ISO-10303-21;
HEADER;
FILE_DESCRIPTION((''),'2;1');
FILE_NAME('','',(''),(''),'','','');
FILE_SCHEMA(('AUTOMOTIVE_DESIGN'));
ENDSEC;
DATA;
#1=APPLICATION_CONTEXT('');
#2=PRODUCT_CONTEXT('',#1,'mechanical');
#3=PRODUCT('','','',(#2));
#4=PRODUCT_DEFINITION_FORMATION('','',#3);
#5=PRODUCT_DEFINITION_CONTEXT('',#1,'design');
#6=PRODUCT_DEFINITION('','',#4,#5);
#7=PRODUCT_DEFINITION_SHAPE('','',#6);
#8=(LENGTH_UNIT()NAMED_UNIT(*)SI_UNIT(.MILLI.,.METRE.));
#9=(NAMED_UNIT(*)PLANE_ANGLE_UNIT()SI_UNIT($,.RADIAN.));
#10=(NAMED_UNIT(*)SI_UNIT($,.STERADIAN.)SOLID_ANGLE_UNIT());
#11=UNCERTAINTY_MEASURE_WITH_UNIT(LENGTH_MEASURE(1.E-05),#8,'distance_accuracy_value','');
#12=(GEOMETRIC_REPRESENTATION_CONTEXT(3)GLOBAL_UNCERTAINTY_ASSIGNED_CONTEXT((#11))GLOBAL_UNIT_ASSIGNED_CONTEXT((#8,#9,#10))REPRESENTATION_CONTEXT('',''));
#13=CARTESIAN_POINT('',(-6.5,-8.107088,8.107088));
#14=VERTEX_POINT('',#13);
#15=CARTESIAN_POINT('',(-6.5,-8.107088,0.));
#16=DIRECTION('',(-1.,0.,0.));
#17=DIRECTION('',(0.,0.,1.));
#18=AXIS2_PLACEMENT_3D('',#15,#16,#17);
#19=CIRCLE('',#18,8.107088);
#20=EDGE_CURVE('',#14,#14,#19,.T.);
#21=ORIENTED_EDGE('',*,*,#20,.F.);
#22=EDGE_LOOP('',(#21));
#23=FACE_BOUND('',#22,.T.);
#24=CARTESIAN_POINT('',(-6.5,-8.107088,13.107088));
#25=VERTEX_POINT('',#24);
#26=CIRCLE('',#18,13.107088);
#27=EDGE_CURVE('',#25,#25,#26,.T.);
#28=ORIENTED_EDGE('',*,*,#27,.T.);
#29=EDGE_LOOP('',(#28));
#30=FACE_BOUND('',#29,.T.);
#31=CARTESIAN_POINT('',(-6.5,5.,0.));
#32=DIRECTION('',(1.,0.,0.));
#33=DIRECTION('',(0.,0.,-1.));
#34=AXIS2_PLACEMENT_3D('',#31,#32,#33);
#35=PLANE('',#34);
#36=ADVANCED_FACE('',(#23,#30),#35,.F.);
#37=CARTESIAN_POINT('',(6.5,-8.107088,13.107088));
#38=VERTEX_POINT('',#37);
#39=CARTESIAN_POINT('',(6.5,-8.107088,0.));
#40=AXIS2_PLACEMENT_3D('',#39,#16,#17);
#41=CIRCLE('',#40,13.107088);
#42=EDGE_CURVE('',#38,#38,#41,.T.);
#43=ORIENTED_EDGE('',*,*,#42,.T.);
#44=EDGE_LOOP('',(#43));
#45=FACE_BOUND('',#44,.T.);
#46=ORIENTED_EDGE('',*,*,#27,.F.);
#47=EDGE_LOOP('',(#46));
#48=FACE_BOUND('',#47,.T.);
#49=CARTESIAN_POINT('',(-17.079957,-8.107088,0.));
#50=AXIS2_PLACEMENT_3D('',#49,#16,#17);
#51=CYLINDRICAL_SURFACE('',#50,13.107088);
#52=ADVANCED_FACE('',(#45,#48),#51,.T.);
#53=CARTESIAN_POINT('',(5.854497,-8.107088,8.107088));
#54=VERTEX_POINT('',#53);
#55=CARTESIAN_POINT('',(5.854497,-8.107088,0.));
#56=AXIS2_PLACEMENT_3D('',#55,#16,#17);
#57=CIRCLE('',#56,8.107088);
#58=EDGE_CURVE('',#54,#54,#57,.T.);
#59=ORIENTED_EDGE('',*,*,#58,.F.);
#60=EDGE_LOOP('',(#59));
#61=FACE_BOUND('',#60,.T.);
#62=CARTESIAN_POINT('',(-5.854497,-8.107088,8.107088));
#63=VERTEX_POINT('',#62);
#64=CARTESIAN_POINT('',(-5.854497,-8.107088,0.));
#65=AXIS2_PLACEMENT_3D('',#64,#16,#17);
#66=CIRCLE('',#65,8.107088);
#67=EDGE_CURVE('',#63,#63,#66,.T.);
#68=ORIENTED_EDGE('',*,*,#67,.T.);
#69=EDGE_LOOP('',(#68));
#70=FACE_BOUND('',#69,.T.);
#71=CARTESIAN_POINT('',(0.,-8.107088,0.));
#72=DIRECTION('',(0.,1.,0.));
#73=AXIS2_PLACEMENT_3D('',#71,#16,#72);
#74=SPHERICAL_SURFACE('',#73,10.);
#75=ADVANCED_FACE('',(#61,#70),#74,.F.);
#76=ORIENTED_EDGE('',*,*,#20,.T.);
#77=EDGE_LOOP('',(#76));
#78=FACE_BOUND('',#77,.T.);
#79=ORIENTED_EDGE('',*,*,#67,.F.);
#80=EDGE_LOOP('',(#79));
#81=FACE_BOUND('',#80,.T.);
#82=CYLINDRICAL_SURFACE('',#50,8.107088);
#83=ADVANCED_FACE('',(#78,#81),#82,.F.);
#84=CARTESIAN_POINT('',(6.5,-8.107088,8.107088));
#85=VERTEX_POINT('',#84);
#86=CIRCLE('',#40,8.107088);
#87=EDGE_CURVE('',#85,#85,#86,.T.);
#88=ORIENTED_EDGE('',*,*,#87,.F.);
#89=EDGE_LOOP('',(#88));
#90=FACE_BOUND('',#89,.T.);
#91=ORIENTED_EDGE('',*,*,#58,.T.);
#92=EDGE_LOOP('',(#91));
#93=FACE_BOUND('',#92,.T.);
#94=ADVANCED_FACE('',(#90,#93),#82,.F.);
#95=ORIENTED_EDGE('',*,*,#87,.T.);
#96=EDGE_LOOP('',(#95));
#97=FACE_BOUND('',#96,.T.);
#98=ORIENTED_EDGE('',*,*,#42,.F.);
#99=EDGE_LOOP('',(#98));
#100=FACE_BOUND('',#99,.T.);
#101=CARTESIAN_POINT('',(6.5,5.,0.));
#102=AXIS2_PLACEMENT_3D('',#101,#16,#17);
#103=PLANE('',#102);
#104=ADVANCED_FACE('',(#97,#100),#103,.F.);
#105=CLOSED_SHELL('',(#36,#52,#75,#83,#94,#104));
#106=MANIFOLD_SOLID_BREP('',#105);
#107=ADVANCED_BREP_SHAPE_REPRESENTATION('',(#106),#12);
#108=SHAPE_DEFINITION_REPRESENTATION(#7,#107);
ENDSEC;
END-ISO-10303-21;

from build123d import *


with BuildPart() as part:
    # Sketch1 → Revolve1 (revolve)
    with BuildSketch(Plane.XY):
        with BuildLine():
            Line((6.5, 5), (-6.5, 5))
            Line((-6.5, 5), (-6.5, 0))
            Line((-6.5, 0), (-5.854496714, 0))
            ThreePointArc((-5.854496714, 0), (0, 1.89291247), (5.854496714, 0))
            Line((5.854496714, 0), (6.5, 0))
            Line((6.5, 0), (6.5, 5))
        make_face()
    revolve(axis=Axis((-17.079956838, -8.10708753, 0), (1, 0, 0)))


solid = part.part
